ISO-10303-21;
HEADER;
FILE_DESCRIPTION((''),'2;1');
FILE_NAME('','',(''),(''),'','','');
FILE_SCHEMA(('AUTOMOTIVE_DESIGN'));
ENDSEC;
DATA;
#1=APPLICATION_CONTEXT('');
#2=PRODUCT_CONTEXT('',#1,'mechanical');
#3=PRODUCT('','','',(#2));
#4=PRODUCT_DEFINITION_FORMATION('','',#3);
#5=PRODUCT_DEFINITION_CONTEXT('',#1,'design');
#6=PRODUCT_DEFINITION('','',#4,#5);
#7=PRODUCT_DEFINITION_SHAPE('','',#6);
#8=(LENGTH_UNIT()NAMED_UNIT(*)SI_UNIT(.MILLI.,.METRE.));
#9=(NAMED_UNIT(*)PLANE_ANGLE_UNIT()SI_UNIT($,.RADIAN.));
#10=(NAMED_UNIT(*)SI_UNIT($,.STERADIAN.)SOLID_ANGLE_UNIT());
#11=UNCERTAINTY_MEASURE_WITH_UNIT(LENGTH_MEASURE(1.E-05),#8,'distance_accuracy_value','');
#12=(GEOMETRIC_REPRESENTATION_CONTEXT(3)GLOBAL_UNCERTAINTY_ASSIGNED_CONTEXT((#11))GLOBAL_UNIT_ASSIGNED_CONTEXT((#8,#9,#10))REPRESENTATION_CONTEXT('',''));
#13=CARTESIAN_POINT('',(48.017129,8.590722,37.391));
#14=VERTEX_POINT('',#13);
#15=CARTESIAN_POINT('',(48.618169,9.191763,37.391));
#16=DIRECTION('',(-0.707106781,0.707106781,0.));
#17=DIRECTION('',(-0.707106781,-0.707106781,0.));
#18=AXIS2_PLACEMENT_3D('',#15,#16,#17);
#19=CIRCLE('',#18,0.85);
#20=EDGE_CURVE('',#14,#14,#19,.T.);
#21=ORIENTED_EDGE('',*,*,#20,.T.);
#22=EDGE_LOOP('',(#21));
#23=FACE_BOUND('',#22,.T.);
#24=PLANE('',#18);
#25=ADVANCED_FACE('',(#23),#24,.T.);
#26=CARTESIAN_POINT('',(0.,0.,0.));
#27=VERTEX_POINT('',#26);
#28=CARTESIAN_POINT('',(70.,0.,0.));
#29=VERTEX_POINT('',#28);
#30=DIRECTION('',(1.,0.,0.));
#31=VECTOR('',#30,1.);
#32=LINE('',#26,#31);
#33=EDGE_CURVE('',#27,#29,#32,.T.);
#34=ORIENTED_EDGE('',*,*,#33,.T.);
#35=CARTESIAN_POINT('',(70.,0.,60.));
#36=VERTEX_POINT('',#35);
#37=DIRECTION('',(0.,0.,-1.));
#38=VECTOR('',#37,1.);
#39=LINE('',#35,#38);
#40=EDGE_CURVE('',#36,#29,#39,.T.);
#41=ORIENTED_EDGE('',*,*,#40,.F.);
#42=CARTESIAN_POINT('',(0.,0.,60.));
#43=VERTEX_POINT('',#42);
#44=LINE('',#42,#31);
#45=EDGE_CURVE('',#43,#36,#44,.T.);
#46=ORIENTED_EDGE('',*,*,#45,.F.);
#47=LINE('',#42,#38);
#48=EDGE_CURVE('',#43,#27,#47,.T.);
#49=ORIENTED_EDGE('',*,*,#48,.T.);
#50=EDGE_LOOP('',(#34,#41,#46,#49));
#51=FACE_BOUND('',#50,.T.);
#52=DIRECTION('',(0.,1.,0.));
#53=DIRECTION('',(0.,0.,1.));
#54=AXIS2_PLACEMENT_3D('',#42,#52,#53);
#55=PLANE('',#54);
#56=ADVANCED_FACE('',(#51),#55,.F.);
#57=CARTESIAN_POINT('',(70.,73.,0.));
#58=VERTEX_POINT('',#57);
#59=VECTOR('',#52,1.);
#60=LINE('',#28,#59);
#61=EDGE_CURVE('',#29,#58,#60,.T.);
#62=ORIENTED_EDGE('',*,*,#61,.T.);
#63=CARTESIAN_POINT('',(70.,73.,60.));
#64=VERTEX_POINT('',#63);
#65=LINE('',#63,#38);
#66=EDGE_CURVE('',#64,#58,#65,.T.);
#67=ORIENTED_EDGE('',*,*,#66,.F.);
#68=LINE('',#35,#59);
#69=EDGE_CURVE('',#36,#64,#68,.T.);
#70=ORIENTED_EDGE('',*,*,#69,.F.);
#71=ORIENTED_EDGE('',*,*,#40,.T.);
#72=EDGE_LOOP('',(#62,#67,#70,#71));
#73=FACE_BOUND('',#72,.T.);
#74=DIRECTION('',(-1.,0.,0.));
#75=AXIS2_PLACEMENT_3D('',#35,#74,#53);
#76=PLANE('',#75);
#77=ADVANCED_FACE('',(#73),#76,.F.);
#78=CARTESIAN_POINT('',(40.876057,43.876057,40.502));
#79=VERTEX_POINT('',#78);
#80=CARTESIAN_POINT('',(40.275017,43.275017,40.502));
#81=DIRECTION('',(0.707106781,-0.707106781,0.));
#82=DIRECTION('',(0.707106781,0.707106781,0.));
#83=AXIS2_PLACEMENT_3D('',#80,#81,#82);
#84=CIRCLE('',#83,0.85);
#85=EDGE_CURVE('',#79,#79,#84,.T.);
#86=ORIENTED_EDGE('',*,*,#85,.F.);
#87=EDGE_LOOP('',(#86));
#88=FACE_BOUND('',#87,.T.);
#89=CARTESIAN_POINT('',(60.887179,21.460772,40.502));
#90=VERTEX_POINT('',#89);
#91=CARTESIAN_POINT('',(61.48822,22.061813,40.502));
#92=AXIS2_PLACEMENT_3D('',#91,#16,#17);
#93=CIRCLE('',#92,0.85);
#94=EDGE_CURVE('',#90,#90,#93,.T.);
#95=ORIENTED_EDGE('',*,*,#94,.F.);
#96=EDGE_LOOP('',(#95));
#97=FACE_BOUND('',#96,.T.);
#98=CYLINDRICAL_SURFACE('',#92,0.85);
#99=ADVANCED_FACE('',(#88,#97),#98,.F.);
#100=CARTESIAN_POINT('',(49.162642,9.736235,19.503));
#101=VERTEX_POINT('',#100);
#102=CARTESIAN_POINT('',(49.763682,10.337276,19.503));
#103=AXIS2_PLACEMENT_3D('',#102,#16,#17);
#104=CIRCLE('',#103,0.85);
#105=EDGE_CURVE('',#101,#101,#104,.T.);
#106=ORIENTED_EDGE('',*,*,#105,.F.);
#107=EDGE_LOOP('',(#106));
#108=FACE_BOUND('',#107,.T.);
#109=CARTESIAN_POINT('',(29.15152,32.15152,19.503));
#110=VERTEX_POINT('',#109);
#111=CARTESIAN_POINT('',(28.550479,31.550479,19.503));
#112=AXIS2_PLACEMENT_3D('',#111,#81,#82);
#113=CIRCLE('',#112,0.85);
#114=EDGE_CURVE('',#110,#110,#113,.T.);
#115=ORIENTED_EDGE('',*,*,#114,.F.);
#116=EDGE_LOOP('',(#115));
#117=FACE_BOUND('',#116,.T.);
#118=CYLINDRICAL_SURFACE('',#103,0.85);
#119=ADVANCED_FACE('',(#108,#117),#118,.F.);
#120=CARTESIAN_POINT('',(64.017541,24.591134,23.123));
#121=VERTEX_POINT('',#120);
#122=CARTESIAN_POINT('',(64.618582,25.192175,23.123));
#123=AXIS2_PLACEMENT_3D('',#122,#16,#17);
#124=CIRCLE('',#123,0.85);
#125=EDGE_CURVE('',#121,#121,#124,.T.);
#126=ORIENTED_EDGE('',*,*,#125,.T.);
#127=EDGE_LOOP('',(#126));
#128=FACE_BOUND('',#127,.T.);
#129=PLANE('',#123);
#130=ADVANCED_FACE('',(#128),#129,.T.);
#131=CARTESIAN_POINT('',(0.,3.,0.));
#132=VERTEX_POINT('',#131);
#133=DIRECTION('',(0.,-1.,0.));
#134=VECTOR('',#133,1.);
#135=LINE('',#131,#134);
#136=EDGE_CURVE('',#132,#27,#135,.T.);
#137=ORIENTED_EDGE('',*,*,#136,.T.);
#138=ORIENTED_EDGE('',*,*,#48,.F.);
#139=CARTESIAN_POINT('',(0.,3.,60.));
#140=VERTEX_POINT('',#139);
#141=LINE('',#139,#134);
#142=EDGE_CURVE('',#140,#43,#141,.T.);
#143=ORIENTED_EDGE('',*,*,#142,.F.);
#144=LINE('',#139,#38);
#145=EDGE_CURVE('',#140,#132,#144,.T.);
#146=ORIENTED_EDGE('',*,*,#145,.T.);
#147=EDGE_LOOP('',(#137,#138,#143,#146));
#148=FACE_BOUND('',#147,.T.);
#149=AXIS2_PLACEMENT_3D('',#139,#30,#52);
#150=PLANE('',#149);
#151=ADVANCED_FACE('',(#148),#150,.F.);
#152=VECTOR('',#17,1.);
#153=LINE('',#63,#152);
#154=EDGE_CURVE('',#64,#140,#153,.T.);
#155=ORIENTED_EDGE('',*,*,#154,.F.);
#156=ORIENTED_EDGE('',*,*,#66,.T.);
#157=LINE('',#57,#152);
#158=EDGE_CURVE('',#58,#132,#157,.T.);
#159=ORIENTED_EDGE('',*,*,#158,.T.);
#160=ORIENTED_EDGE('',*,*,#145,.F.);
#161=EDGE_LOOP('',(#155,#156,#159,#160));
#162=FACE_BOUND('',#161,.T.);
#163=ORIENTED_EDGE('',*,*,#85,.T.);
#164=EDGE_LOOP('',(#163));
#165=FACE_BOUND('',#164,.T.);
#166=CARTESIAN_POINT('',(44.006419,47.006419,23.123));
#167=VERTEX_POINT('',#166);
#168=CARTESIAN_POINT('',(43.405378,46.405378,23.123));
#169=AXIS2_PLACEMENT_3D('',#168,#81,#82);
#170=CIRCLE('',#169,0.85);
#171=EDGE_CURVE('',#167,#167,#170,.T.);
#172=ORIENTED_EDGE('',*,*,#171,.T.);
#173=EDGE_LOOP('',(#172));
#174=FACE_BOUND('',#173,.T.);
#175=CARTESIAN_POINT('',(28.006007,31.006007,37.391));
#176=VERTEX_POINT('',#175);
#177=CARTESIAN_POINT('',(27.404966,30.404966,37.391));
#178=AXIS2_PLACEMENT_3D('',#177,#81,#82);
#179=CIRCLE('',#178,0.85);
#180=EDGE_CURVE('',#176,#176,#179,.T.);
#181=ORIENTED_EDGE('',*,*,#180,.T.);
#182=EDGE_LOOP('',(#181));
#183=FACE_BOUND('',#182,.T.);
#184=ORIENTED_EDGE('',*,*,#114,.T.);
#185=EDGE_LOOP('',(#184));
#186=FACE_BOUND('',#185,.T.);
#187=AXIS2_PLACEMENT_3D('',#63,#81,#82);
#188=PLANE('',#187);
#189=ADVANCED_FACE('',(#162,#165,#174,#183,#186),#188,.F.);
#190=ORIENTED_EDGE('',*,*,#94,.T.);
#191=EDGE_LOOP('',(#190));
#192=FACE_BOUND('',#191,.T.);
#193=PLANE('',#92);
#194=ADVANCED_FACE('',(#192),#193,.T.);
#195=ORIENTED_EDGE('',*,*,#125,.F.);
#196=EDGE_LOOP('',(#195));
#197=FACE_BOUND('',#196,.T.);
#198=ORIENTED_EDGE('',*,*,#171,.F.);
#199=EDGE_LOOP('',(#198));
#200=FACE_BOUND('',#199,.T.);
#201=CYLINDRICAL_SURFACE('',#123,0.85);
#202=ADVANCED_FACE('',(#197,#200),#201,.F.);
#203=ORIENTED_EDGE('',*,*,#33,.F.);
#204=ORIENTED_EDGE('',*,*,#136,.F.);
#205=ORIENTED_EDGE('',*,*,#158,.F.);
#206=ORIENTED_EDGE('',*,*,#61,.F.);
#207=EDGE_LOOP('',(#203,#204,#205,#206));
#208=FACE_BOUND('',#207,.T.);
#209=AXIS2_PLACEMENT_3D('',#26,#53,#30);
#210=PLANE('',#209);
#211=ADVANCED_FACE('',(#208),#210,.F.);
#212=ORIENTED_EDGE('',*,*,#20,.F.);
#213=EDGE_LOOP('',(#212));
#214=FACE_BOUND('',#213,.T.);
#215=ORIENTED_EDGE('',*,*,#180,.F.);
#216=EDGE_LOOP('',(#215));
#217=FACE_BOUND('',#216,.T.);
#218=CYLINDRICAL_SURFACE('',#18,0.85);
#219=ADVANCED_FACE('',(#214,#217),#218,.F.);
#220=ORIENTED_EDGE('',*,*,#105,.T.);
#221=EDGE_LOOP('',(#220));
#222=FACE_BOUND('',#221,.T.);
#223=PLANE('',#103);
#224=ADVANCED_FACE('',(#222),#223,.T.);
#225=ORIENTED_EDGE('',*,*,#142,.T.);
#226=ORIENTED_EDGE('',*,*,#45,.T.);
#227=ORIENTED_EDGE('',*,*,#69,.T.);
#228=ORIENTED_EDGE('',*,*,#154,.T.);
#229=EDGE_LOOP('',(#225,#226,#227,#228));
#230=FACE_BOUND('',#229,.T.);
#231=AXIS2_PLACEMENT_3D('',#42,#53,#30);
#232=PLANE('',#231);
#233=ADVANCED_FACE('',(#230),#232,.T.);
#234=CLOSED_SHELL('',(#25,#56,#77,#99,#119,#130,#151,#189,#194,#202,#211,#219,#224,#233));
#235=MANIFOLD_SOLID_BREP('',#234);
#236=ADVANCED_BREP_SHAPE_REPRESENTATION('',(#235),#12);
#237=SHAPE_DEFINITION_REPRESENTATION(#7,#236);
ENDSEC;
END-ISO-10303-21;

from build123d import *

# Parameters (mm, degrees)
EXTRUDE_1_DEPTH     = 60
SKETCH_2_R          = 0.85
CUT_EXTRUDE_1_DEPTH = 30


with BuildPart() as part:
    # 草图1 → 凸台-拉伸1 (new body)
    with BuildSketch(Plane.XY):
        Polygon((0, 0), (70, 0), (70, 73), (0, 3), align=None)
    extrude(amount=EXTRUDE_1_DEPTH)

    # 草图2 → 切除-拉伸1 (cut, symmetric)
    with BuildSketch(Plane(origin=(-1.5, 1.5, 0), x_dir=(0, 0, 1), z_dir=(-0.7071067811865512, 0.7071067811865438, 0))):
        with Locations(Location((19.503, 42.497795027, 0), (0, 0, 270))):
            Circle(SKETCH_2_R)
        with Locations(Location((23.123, 63.505795027, 0), (0, 0, 270))):
            Circle(SKETCH_2_R)
        with Locations(Location((40.502, 59.078795027, 0), (0, 0, 270))):
            Circle(SKETCH_2_R)
        with Locations(Location((37.391, 40.877795027, 0), (0, 0, 270))):
            Circle(SKETCH_2_R)
    extrude(amount=CUT_EXTRUDE_1_DEPTH, both=True, mode=Mode.SUBTRACT)


solid = part.part
